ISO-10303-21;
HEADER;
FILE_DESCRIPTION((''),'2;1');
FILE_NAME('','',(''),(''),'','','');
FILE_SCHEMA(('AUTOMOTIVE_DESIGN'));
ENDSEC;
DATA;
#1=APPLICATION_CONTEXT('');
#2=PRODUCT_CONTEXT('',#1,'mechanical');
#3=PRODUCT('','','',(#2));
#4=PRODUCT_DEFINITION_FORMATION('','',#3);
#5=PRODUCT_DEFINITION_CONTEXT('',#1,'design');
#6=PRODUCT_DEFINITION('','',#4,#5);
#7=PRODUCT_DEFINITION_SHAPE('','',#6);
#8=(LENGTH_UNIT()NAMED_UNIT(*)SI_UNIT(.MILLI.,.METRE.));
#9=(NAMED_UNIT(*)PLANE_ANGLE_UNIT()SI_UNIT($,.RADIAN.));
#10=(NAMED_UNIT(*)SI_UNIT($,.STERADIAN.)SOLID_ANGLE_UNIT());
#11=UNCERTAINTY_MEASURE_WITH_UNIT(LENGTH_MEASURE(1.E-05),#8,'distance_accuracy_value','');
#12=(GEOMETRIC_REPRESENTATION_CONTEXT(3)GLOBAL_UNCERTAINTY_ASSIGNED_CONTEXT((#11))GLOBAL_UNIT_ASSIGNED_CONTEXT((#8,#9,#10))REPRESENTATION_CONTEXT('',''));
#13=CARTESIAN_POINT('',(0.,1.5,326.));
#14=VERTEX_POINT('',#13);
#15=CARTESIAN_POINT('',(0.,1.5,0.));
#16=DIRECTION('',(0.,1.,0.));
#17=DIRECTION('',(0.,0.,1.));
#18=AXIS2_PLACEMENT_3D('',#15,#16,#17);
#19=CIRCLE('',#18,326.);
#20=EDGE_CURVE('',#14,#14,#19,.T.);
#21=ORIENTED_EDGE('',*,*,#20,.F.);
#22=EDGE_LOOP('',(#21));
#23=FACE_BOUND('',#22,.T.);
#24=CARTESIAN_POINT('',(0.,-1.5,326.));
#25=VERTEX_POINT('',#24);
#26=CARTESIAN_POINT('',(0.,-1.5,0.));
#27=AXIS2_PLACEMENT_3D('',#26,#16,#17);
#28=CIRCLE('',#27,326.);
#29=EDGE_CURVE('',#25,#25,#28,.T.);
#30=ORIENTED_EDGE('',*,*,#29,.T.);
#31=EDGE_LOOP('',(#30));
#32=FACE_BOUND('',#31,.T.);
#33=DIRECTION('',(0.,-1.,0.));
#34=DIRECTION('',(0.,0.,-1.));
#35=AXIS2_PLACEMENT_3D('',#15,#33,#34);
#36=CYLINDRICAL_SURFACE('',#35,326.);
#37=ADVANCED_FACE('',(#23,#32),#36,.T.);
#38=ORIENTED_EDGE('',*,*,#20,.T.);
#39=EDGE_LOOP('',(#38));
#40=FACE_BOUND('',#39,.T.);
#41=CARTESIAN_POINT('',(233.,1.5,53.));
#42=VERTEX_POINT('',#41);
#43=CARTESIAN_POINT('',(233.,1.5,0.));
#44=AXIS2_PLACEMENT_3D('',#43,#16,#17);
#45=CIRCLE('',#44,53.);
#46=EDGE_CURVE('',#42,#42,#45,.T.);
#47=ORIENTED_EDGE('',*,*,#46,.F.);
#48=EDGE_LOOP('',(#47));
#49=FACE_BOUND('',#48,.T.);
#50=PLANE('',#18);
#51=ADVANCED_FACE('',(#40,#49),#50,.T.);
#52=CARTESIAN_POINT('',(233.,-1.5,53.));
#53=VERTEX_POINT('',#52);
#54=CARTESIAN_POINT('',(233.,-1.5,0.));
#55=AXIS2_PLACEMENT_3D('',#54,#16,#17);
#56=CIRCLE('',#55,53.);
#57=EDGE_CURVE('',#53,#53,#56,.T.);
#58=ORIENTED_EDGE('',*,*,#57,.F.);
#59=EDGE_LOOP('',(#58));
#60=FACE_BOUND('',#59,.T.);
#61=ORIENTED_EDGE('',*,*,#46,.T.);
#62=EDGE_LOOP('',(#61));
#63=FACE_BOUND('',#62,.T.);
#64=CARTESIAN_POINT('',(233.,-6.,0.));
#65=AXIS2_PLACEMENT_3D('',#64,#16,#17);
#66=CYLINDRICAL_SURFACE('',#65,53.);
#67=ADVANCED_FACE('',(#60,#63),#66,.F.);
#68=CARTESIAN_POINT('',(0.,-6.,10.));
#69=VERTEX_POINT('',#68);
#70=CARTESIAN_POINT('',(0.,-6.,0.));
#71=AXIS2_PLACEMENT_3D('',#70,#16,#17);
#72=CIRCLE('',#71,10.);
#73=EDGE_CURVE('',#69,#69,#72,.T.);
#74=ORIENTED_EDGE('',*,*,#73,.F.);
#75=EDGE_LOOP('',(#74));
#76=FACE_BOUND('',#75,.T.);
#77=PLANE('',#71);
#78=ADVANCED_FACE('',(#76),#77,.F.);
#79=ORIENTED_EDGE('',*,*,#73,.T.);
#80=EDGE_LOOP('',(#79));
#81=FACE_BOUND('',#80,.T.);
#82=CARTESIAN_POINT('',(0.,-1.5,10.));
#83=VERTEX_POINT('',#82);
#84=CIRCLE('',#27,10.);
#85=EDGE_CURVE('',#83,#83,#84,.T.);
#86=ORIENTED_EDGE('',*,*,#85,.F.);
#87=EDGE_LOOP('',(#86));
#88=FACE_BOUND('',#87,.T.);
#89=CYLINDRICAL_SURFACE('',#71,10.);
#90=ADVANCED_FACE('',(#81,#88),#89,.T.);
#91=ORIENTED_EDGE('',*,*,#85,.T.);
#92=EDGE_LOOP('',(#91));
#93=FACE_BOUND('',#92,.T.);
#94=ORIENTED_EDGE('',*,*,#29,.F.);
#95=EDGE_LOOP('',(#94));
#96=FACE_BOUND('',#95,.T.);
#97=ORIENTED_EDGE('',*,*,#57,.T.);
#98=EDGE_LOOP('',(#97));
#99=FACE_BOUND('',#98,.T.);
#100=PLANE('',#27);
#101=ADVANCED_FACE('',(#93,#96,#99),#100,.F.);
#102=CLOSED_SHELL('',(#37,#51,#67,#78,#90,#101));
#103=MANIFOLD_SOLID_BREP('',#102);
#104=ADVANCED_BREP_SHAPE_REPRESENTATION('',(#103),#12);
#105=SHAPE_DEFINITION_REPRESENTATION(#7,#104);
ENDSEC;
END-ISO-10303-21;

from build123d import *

# Parameters (mm, degrees)
SKETCH_1_R               = 326
EXTRUDE_1_DEPTH          = 1.5
SKETCH_3_R               = 10
EXTRUDE_2_DEPTH          = 6
CUT_EXTRUDE_1_DEPTH      = 462.072662386
CUT_EXTRUDE_1_DEPTH_BACK = 462.072662386
SKETCH_4_R               = 53


with BuildPart() as part:
    # 草图1 → 凸台-拉伸1 (new, symmetric)
    with BuildSketch(Plane(origin=(0, 0, 0), x_dir=(1, 0, 0), z_dir=(0, 1, 0))):
        with Locations(Location((0, 0, 0), (0, 0, 270))):
            Circle(SKETCH_1_R)
    extrude(amount=EXTRUDE_1_DEPTH, both=True)

    # 草图3 → 凸台-拉伸2 (add)
    with BuildSketch(Plane(origin=(0, 0, 0), x_dir=(1, 0, 0), z_dir=(0, 1, 0))):
        with Locations(Location((0, 0, 0), (0, 0, 270))):
            Circle(SKETCH_3_R)
    extrude(amount=-EXTRUDE_2_DEPTH)

    # 草图4 → 切除-拉伸1 (cut, two sides: drawn at the far end of the back side and taken through both)
    with BuildSketch(Plane(origin=(0, 0, 0), x_dir=(1, 0, 0), z_dir=(0, 1, 0)).offset(-CUT_EXTRUDE_1_DEPTH_BACK)):
        with Locations(Location((233, 0, 0), (0, 0, 270))):
            Circle(SKETCH_4_R)
    extrude(amount=CUT_EXTRUDE_1_DEPTH + CUT_EXTRUDE_1_DEPTH_BACK, mode=Mode.SUBTRACT)


solid = part.part
